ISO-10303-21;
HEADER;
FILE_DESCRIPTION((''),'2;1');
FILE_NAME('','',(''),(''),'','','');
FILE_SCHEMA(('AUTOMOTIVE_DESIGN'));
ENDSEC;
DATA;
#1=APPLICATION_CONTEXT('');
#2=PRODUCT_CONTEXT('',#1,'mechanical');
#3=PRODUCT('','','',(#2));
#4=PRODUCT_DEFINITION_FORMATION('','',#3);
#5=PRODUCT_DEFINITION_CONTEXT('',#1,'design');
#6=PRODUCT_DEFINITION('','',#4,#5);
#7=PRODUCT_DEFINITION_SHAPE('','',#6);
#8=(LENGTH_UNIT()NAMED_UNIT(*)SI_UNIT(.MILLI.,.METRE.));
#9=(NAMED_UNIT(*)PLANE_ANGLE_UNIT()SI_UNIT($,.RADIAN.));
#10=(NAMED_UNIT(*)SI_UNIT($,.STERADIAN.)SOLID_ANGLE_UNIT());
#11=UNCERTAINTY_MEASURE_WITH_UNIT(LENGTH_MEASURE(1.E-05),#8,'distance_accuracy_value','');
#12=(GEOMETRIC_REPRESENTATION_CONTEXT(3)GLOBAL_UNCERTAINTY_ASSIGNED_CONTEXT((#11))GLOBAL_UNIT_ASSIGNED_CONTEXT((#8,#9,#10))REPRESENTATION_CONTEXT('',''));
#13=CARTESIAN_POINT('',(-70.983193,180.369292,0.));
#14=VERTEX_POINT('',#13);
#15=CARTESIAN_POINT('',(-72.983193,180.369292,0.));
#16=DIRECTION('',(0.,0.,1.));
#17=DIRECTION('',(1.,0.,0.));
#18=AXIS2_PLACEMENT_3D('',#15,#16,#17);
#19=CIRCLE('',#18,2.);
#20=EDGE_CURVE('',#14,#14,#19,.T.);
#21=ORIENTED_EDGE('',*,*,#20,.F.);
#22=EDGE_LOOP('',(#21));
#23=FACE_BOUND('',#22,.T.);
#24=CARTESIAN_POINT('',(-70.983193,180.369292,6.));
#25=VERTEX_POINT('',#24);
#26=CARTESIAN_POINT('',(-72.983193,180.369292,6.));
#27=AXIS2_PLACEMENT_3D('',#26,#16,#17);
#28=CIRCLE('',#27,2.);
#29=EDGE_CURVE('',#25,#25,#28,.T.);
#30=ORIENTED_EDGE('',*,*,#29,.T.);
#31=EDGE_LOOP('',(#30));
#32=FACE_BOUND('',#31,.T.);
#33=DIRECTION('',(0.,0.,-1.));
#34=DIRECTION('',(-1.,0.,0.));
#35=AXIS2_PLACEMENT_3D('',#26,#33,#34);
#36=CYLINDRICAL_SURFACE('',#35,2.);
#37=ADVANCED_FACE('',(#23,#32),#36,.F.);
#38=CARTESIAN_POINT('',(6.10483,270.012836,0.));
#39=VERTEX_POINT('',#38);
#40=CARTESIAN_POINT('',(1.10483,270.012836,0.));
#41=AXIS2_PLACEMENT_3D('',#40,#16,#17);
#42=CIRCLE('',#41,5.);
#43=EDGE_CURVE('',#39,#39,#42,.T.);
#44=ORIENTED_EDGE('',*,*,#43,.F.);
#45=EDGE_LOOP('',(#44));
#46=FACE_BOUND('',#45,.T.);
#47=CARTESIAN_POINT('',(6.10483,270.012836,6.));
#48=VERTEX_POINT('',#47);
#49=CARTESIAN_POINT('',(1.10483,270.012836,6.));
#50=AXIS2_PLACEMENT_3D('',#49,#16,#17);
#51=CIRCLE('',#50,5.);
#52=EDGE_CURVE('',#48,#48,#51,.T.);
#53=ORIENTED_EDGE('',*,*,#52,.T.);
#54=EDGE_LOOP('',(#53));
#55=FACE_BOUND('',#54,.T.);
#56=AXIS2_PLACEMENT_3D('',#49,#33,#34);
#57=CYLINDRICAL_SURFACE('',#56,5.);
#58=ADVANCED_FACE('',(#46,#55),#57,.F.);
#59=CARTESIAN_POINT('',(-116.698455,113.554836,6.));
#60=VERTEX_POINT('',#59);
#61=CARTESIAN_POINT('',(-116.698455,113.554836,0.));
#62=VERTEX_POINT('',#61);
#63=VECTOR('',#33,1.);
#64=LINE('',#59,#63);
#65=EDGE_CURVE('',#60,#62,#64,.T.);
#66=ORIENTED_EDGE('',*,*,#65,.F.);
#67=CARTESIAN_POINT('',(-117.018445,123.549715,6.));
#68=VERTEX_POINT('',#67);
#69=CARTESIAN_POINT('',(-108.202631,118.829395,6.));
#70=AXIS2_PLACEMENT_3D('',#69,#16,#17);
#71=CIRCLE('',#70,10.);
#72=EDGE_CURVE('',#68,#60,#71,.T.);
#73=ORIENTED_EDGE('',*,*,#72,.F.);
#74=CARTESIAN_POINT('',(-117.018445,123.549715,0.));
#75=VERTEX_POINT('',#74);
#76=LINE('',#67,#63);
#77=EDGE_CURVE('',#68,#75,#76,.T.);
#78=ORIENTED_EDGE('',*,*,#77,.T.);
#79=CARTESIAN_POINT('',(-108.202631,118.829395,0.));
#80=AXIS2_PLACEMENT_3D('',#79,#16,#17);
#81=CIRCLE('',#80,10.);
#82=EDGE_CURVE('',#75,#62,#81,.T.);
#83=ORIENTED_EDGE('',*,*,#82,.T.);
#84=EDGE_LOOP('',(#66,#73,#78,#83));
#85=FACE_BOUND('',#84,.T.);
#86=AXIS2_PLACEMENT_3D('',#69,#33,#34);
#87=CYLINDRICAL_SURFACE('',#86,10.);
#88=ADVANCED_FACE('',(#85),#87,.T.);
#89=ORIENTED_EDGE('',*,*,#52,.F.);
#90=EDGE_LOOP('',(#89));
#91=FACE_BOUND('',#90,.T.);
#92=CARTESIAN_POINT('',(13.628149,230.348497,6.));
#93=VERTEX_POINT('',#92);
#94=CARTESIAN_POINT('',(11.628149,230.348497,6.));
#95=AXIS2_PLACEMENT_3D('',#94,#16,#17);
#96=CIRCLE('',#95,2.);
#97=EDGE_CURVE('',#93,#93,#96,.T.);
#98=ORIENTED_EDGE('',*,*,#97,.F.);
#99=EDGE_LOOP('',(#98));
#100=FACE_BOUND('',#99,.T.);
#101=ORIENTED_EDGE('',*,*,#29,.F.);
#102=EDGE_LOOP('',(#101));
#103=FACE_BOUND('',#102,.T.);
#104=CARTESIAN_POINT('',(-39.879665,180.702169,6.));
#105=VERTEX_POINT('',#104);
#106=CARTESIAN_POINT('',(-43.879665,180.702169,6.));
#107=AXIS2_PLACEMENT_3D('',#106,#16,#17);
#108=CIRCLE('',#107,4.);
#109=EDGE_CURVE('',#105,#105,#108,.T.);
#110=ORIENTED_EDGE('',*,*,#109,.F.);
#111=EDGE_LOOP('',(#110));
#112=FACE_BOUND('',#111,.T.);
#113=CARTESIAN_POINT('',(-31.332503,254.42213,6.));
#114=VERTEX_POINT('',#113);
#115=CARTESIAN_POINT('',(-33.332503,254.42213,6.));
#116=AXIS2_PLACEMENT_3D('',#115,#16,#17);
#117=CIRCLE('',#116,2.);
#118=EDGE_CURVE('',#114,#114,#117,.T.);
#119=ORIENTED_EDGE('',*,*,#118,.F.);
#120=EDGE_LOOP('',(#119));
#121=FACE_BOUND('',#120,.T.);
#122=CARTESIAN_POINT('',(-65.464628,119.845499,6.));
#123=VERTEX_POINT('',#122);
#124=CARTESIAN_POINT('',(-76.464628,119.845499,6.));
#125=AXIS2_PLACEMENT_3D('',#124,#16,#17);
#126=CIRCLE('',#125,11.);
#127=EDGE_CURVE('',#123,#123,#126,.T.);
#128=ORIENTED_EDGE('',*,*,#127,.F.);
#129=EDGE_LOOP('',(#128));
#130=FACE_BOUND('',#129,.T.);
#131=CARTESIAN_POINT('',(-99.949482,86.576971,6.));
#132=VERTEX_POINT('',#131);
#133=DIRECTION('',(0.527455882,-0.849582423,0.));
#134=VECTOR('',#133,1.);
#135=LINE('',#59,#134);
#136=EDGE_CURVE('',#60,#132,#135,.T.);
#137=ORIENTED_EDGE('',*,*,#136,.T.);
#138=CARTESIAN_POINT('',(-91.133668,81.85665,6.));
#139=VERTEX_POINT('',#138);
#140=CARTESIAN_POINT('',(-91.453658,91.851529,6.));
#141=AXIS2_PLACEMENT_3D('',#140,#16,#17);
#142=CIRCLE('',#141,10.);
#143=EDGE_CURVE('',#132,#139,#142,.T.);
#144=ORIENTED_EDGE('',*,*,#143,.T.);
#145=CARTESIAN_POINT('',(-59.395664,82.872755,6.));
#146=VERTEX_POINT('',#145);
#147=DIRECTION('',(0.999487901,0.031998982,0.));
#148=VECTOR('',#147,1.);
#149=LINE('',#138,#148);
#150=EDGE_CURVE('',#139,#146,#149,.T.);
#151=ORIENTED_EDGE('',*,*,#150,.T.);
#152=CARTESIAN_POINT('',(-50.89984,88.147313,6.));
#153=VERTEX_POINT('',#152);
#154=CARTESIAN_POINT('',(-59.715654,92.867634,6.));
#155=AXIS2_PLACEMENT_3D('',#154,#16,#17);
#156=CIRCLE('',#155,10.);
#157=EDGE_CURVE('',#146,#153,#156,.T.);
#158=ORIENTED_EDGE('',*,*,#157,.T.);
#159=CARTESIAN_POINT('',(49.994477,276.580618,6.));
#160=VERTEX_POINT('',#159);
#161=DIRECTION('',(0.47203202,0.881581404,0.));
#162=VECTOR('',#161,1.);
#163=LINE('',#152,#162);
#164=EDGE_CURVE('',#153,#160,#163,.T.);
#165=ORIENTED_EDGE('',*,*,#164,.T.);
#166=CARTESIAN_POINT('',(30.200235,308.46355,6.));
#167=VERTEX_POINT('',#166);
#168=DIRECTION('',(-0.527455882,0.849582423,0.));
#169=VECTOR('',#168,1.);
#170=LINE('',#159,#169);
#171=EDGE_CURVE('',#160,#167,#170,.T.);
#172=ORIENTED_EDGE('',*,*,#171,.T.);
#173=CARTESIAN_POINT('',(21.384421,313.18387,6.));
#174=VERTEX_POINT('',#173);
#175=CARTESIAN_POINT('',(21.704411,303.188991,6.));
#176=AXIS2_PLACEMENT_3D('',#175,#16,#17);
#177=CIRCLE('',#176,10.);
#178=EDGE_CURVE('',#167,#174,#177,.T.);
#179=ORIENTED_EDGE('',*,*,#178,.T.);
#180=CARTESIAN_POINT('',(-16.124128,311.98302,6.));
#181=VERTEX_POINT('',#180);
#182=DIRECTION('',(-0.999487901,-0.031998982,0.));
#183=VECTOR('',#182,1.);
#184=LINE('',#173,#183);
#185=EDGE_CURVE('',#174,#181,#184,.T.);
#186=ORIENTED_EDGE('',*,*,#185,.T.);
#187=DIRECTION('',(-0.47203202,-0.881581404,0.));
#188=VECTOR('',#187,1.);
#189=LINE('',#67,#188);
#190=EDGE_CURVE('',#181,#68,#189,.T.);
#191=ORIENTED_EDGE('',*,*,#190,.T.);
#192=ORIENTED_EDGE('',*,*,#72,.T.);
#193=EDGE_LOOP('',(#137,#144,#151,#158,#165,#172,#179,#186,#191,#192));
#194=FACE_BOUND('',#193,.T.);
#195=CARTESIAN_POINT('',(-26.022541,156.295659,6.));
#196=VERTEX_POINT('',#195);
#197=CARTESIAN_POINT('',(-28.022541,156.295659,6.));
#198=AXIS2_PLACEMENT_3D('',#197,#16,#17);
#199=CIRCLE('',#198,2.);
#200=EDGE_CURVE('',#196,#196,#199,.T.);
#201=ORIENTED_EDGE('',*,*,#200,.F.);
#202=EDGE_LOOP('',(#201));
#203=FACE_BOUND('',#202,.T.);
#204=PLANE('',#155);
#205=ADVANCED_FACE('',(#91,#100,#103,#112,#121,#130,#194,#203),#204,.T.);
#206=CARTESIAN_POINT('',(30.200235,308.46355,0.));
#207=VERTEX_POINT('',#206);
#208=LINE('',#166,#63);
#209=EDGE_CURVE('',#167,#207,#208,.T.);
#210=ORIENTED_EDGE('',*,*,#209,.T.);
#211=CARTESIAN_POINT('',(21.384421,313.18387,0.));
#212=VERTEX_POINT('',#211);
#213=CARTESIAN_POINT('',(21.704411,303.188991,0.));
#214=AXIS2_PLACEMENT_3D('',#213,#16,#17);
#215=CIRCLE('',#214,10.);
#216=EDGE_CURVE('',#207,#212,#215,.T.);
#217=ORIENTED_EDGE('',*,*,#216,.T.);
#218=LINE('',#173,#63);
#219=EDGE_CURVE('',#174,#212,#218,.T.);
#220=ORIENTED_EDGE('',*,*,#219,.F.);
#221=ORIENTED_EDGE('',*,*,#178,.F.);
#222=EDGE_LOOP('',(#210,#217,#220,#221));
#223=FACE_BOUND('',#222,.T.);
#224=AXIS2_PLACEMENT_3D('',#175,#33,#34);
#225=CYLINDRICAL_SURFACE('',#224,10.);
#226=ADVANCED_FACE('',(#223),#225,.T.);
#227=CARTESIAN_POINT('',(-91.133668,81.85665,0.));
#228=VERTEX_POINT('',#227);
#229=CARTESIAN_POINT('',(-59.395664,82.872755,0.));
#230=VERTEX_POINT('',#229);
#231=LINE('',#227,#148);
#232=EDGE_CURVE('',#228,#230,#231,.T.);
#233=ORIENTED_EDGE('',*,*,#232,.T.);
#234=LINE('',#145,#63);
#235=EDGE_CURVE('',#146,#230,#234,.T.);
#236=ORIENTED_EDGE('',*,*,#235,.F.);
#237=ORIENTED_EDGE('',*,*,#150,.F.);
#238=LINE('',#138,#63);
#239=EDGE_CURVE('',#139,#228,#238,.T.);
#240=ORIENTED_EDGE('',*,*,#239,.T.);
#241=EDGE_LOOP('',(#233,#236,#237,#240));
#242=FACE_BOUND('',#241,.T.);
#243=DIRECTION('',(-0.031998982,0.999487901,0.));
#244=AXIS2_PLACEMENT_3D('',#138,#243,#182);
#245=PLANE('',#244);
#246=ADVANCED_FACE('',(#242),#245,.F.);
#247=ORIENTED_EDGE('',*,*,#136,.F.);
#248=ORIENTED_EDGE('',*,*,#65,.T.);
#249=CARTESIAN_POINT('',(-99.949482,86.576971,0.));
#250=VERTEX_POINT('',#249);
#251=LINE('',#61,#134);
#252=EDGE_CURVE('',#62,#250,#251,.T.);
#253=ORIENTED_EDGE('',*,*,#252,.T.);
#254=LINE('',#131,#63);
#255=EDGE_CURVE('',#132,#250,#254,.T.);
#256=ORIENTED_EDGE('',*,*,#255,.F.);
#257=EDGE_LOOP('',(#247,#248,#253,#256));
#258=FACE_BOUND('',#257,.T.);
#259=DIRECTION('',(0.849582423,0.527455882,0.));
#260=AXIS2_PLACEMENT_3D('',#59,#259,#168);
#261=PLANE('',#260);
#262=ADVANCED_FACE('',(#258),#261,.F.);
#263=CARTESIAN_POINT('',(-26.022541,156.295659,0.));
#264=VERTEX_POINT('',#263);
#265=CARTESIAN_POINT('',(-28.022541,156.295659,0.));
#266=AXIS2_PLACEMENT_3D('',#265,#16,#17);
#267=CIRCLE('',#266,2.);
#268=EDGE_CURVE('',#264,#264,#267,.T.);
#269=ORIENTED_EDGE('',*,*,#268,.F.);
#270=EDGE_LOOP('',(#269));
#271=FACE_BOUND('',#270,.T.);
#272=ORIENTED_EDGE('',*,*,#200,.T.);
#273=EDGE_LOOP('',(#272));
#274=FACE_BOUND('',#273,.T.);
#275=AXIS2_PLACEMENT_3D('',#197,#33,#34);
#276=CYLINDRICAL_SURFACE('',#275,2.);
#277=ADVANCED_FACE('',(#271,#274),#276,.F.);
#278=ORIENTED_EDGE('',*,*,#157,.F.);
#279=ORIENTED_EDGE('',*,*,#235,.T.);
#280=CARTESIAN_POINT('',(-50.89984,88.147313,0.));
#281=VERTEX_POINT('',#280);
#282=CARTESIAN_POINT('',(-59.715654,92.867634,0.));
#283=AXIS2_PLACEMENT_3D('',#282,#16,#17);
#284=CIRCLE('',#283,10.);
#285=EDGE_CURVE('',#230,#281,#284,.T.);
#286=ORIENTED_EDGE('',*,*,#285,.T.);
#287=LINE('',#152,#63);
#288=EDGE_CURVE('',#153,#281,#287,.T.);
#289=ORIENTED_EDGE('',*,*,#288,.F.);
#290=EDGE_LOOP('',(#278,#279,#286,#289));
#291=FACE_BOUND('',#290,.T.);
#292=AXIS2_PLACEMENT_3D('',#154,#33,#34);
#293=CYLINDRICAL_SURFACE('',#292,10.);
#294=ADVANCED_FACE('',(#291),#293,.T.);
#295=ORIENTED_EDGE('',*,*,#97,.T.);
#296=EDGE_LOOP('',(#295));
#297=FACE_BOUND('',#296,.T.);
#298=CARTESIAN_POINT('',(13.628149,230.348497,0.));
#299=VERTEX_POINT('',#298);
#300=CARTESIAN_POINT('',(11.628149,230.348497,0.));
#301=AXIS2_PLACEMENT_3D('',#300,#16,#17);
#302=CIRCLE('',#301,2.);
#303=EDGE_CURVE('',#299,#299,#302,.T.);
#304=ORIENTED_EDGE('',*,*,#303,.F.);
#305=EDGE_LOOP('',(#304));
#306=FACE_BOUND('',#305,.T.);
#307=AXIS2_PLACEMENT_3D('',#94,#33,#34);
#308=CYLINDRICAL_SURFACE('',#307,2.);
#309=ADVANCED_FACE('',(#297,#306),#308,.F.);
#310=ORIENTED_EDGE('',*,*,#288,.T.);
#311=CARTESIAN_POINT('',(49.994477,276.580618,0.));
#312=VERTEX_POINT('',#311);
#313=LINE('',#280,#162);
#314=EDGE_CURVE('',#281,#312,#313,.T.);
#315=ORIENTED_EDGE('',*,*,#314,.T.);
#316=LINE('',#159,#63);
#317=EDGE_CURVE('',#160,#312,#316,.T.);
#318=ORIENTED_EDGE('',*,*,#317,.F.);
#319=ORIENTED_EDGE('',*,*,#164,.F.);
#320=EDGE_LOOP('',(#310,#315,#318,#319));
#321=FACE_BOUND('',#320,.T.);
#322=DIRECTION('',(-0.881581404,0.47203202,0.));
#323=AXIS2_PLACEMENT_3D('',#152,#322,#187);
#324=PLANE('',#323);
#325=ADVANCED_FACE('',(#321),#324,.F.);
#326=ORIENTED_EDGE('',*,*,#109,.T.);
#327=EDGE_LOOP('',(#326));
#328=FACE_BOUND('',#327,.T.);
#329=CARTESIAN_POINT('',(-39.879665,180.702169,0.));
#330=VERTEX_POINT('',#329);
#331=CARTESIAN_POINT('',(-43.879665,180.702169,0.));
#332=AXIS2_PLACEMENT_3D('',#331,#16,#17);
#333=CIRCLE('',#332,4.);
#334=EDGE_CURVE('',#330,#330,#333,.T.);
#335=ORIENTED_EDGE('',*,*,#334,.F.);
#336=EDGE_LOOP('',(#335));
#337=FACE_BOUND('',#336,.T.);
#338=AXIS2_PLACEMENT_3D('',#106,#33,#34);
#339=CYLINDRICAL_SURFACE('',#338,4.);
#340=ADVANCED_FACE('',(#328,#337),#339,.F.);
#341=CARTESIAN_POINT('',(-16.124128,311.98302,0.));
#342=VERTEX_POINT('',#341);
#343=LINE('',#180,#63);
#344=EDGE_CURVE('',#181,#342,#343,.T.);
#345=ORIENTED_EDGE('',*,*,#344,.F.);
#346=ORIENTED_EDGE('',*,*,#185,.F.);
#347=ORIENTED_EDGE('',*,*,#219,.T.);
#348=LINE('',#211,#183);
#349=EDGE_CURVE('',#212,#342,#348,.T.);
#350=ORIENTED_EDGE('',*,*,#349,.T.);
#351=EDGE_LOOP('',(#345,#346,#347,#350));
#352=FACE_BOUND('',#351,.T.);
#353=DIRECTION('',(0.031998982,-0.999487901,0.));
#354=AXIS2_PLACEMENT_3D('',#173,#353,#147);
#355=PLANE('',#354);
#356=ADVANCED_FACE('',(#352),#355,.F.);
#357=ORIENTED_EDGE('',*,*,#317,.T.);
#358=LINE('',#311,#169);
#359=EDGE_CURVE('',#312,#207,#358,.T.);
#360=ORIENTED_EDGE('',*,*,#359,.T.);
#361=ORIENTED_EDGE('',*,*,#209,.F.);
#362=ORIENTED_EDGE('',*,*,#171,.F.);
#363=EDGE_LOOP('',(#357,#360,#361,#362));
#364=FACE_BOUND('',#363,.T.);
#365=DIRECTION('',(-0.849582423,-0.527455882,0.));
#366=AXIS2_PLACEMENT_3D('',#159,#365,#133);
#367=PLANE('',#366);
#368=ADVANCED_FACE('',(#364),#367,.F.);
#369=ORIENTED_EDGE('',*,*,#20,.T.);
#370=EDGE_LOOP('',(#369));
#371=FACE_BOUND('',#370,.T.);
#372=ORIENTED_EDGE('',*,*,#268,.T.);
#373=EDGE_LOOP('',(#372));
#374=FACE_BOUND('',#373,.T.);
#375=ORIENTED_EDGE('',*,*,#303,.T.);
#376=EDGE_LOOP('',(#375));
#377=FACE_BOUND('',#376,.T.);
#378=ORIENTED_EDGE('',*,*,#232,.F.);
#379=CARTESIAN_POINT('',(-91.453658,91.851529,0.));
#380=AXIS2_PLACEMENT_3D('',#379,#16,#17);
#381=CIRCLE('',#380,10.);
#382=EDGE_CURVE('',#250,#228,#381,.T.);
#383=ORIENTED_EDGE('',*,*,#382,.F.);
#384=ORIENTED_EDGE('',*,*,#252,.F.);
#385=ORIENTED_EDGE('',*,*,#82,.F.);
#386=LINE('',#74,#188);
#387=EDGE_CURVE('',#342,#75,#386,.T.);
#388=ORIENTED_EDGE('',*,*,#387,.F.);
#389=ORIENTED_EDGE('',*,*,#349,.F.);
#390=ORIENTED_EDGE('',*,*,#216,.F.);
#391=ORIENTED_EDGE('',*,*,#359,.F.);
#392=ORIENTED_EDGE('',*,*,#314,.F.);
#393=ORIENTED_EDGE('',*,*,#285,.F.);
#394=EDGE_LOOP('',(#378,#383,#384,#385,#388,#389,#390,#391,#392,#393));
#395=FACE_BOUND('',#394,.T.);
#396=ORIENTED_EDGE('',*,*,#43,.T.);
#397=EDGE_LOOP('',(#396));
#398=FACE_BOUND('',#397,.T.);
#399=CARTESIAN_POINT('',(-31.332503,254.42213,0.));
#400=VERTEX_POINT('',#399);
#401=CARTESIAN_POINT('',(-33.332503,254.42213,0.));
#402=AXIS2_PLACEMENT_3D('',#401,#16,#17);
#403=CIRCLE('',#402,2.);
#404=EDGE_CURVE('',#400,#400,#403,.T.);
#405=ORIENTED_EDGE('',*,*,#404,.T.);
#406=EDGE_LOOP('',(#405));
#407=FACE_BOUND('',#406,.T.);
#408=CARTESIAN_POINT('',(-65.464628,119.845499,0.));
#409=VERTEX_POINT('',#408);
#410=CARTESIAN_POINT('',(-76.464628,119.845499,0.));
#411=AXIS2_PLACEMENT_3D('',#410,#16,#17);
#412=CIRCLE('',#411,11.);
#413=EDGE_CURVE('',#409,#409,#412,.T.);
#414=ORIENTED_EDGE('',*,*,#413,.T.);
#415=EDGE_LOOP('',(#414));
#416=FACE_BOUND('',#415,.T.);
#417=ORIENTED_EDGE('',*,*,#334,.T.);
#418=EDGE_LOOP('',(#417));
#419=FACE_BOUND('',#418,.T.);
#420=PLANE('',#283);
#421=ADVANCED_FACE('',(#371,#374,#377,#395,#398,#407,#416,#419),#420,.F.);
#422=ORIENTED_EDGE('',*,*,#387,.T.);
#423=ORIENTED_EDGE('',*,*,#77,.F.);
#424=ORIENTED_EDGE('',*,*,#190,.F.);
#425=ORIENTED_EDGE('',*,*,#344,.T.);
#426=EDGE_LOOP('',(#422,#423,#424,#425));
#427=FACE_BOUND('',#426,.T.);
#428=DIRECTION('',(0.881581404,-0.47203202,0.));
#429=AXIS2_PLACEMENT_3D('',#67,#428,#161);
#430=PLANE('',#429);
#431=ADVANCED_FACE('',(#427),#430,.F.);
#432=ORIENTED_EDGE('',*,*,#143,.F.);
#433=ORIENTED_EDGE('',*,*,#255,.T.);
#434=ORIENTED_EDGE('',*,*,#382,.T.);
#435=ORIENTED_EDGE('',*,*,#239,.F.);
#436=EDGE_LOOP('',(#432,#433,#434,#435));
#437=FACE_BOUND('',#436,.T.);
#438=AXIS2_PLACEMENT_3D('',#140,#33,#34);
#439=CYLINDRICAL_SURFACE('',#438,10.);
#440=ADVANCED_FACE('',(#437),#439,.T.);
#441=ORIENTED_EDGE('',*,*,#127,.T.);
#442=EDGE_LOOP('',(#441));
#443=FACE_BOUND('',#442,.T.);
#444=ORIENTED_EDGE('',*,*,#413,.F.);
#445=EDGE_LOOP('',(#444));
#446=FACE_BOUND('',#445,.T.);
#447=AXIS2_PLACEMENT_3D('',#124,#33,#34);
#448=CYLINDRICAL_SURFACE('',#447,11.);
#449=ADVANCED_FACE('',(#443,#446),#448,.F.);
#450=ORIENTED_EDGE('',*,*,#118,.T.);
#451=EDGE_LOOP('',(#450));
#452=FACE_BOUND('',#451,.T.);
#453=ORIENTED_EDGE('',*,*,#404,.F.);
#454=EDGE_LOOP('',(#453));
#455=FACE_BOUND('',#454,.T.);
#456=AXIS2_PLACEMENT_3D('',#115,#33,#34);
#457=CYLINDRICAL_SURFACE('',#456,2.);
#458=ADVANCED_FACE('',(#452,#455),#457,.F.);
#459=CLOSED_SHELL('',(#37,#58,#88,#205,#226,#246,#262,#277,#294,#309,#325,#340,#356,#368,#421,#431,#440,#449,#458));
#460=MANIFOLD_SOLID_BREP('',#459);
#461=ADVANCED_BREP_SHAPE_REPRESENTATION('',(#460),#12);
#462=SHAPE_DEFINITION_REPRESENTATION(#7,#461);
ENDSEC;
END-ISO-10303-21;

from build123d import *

# Parameters (mm, degrees)
SKETCH1_R           = 5
SKETCH1_R_2         = 2
SKETCH1_R_3         = 4
SKETCH1_R_4         = 11
BOSS_EXTRUDE1_DEPTH = 6


with BuildPart() as part:
    # Sketch1 → Boss-Extrude1 (new body)
    with BuildSketch(Plane.XY):
        with BuildLine():
            Line((-91.133667709, 81.856650449), (-59.395664216, 82.872754588))
            ThreePointArc((-59.395664216, 82.872754588), (-54.441095215, 84.371809376), (-50.89983999, 88.147313406))
            Line((-50.89983999, 88.147313406), (49.994476852, 276.580618392))
            Line((49.994476852, 276.580618392), (30.200235156, 308.463550017))
            ThreePointArc((30.200235156, 308.463550017), (26.424731127, 312.004805242), (21.384421113, 313.183870213))
            Line((21.384421113, 313.183870213), (-16.12412847, 311.983019868))
            Line((-16.12412847, 311.983019868), (-117.018445312, 123.549714881))
            ThreePointArc((-117.018445312, 123.549714881), (-118.197510284, 118.509404868), (-116.698455495, 113.554835867))
            Line((-116.698455495, 113.554835867), (-99.949481752, 86.576970646))
            ThreePointArc((-99.949481752, 86.576970646), (-96.173977723, 83.035715421), (-91.133667709, 81.856650449))
        make_face()
        with Locations((1.104829999, 270.012836125)):
            Circle(SKETCH1_R, mode=Mode.SUBTRACT)
        with Locations((-33.33250289, 254.422130449)):
            Circle(SKETCH1_R_2, mode=Mode.SUBTRACT)
        with Locations((11.628148729, 230.348497445)):
            Circle(SKETCH1_R_2, mode=Mode.SUBTRACT)
        with Locations((-28.022540924, 156.295659484)):
            Circle(SKETCH1_R_2, mode=Mode.SUBTRACT)
        with Locations((-43.879665152, 180.702169371)):
            Circle(SKETCH1_R_3, mode=Mode.SUBTRACT)
        with Locations((-72.983192543, 180.369292488)):
            Circle(SKETCH1_R_2, mode=Mode.SUBTRACT)
        with Locations((-76.464627777, 119.845498823)):
            Circle(SKETCH1_R_4, mode=Mode.SUBTRACT)
    extrude(amount=BOSS_EXTRUDE1_DEPTH)


solid = part.part
